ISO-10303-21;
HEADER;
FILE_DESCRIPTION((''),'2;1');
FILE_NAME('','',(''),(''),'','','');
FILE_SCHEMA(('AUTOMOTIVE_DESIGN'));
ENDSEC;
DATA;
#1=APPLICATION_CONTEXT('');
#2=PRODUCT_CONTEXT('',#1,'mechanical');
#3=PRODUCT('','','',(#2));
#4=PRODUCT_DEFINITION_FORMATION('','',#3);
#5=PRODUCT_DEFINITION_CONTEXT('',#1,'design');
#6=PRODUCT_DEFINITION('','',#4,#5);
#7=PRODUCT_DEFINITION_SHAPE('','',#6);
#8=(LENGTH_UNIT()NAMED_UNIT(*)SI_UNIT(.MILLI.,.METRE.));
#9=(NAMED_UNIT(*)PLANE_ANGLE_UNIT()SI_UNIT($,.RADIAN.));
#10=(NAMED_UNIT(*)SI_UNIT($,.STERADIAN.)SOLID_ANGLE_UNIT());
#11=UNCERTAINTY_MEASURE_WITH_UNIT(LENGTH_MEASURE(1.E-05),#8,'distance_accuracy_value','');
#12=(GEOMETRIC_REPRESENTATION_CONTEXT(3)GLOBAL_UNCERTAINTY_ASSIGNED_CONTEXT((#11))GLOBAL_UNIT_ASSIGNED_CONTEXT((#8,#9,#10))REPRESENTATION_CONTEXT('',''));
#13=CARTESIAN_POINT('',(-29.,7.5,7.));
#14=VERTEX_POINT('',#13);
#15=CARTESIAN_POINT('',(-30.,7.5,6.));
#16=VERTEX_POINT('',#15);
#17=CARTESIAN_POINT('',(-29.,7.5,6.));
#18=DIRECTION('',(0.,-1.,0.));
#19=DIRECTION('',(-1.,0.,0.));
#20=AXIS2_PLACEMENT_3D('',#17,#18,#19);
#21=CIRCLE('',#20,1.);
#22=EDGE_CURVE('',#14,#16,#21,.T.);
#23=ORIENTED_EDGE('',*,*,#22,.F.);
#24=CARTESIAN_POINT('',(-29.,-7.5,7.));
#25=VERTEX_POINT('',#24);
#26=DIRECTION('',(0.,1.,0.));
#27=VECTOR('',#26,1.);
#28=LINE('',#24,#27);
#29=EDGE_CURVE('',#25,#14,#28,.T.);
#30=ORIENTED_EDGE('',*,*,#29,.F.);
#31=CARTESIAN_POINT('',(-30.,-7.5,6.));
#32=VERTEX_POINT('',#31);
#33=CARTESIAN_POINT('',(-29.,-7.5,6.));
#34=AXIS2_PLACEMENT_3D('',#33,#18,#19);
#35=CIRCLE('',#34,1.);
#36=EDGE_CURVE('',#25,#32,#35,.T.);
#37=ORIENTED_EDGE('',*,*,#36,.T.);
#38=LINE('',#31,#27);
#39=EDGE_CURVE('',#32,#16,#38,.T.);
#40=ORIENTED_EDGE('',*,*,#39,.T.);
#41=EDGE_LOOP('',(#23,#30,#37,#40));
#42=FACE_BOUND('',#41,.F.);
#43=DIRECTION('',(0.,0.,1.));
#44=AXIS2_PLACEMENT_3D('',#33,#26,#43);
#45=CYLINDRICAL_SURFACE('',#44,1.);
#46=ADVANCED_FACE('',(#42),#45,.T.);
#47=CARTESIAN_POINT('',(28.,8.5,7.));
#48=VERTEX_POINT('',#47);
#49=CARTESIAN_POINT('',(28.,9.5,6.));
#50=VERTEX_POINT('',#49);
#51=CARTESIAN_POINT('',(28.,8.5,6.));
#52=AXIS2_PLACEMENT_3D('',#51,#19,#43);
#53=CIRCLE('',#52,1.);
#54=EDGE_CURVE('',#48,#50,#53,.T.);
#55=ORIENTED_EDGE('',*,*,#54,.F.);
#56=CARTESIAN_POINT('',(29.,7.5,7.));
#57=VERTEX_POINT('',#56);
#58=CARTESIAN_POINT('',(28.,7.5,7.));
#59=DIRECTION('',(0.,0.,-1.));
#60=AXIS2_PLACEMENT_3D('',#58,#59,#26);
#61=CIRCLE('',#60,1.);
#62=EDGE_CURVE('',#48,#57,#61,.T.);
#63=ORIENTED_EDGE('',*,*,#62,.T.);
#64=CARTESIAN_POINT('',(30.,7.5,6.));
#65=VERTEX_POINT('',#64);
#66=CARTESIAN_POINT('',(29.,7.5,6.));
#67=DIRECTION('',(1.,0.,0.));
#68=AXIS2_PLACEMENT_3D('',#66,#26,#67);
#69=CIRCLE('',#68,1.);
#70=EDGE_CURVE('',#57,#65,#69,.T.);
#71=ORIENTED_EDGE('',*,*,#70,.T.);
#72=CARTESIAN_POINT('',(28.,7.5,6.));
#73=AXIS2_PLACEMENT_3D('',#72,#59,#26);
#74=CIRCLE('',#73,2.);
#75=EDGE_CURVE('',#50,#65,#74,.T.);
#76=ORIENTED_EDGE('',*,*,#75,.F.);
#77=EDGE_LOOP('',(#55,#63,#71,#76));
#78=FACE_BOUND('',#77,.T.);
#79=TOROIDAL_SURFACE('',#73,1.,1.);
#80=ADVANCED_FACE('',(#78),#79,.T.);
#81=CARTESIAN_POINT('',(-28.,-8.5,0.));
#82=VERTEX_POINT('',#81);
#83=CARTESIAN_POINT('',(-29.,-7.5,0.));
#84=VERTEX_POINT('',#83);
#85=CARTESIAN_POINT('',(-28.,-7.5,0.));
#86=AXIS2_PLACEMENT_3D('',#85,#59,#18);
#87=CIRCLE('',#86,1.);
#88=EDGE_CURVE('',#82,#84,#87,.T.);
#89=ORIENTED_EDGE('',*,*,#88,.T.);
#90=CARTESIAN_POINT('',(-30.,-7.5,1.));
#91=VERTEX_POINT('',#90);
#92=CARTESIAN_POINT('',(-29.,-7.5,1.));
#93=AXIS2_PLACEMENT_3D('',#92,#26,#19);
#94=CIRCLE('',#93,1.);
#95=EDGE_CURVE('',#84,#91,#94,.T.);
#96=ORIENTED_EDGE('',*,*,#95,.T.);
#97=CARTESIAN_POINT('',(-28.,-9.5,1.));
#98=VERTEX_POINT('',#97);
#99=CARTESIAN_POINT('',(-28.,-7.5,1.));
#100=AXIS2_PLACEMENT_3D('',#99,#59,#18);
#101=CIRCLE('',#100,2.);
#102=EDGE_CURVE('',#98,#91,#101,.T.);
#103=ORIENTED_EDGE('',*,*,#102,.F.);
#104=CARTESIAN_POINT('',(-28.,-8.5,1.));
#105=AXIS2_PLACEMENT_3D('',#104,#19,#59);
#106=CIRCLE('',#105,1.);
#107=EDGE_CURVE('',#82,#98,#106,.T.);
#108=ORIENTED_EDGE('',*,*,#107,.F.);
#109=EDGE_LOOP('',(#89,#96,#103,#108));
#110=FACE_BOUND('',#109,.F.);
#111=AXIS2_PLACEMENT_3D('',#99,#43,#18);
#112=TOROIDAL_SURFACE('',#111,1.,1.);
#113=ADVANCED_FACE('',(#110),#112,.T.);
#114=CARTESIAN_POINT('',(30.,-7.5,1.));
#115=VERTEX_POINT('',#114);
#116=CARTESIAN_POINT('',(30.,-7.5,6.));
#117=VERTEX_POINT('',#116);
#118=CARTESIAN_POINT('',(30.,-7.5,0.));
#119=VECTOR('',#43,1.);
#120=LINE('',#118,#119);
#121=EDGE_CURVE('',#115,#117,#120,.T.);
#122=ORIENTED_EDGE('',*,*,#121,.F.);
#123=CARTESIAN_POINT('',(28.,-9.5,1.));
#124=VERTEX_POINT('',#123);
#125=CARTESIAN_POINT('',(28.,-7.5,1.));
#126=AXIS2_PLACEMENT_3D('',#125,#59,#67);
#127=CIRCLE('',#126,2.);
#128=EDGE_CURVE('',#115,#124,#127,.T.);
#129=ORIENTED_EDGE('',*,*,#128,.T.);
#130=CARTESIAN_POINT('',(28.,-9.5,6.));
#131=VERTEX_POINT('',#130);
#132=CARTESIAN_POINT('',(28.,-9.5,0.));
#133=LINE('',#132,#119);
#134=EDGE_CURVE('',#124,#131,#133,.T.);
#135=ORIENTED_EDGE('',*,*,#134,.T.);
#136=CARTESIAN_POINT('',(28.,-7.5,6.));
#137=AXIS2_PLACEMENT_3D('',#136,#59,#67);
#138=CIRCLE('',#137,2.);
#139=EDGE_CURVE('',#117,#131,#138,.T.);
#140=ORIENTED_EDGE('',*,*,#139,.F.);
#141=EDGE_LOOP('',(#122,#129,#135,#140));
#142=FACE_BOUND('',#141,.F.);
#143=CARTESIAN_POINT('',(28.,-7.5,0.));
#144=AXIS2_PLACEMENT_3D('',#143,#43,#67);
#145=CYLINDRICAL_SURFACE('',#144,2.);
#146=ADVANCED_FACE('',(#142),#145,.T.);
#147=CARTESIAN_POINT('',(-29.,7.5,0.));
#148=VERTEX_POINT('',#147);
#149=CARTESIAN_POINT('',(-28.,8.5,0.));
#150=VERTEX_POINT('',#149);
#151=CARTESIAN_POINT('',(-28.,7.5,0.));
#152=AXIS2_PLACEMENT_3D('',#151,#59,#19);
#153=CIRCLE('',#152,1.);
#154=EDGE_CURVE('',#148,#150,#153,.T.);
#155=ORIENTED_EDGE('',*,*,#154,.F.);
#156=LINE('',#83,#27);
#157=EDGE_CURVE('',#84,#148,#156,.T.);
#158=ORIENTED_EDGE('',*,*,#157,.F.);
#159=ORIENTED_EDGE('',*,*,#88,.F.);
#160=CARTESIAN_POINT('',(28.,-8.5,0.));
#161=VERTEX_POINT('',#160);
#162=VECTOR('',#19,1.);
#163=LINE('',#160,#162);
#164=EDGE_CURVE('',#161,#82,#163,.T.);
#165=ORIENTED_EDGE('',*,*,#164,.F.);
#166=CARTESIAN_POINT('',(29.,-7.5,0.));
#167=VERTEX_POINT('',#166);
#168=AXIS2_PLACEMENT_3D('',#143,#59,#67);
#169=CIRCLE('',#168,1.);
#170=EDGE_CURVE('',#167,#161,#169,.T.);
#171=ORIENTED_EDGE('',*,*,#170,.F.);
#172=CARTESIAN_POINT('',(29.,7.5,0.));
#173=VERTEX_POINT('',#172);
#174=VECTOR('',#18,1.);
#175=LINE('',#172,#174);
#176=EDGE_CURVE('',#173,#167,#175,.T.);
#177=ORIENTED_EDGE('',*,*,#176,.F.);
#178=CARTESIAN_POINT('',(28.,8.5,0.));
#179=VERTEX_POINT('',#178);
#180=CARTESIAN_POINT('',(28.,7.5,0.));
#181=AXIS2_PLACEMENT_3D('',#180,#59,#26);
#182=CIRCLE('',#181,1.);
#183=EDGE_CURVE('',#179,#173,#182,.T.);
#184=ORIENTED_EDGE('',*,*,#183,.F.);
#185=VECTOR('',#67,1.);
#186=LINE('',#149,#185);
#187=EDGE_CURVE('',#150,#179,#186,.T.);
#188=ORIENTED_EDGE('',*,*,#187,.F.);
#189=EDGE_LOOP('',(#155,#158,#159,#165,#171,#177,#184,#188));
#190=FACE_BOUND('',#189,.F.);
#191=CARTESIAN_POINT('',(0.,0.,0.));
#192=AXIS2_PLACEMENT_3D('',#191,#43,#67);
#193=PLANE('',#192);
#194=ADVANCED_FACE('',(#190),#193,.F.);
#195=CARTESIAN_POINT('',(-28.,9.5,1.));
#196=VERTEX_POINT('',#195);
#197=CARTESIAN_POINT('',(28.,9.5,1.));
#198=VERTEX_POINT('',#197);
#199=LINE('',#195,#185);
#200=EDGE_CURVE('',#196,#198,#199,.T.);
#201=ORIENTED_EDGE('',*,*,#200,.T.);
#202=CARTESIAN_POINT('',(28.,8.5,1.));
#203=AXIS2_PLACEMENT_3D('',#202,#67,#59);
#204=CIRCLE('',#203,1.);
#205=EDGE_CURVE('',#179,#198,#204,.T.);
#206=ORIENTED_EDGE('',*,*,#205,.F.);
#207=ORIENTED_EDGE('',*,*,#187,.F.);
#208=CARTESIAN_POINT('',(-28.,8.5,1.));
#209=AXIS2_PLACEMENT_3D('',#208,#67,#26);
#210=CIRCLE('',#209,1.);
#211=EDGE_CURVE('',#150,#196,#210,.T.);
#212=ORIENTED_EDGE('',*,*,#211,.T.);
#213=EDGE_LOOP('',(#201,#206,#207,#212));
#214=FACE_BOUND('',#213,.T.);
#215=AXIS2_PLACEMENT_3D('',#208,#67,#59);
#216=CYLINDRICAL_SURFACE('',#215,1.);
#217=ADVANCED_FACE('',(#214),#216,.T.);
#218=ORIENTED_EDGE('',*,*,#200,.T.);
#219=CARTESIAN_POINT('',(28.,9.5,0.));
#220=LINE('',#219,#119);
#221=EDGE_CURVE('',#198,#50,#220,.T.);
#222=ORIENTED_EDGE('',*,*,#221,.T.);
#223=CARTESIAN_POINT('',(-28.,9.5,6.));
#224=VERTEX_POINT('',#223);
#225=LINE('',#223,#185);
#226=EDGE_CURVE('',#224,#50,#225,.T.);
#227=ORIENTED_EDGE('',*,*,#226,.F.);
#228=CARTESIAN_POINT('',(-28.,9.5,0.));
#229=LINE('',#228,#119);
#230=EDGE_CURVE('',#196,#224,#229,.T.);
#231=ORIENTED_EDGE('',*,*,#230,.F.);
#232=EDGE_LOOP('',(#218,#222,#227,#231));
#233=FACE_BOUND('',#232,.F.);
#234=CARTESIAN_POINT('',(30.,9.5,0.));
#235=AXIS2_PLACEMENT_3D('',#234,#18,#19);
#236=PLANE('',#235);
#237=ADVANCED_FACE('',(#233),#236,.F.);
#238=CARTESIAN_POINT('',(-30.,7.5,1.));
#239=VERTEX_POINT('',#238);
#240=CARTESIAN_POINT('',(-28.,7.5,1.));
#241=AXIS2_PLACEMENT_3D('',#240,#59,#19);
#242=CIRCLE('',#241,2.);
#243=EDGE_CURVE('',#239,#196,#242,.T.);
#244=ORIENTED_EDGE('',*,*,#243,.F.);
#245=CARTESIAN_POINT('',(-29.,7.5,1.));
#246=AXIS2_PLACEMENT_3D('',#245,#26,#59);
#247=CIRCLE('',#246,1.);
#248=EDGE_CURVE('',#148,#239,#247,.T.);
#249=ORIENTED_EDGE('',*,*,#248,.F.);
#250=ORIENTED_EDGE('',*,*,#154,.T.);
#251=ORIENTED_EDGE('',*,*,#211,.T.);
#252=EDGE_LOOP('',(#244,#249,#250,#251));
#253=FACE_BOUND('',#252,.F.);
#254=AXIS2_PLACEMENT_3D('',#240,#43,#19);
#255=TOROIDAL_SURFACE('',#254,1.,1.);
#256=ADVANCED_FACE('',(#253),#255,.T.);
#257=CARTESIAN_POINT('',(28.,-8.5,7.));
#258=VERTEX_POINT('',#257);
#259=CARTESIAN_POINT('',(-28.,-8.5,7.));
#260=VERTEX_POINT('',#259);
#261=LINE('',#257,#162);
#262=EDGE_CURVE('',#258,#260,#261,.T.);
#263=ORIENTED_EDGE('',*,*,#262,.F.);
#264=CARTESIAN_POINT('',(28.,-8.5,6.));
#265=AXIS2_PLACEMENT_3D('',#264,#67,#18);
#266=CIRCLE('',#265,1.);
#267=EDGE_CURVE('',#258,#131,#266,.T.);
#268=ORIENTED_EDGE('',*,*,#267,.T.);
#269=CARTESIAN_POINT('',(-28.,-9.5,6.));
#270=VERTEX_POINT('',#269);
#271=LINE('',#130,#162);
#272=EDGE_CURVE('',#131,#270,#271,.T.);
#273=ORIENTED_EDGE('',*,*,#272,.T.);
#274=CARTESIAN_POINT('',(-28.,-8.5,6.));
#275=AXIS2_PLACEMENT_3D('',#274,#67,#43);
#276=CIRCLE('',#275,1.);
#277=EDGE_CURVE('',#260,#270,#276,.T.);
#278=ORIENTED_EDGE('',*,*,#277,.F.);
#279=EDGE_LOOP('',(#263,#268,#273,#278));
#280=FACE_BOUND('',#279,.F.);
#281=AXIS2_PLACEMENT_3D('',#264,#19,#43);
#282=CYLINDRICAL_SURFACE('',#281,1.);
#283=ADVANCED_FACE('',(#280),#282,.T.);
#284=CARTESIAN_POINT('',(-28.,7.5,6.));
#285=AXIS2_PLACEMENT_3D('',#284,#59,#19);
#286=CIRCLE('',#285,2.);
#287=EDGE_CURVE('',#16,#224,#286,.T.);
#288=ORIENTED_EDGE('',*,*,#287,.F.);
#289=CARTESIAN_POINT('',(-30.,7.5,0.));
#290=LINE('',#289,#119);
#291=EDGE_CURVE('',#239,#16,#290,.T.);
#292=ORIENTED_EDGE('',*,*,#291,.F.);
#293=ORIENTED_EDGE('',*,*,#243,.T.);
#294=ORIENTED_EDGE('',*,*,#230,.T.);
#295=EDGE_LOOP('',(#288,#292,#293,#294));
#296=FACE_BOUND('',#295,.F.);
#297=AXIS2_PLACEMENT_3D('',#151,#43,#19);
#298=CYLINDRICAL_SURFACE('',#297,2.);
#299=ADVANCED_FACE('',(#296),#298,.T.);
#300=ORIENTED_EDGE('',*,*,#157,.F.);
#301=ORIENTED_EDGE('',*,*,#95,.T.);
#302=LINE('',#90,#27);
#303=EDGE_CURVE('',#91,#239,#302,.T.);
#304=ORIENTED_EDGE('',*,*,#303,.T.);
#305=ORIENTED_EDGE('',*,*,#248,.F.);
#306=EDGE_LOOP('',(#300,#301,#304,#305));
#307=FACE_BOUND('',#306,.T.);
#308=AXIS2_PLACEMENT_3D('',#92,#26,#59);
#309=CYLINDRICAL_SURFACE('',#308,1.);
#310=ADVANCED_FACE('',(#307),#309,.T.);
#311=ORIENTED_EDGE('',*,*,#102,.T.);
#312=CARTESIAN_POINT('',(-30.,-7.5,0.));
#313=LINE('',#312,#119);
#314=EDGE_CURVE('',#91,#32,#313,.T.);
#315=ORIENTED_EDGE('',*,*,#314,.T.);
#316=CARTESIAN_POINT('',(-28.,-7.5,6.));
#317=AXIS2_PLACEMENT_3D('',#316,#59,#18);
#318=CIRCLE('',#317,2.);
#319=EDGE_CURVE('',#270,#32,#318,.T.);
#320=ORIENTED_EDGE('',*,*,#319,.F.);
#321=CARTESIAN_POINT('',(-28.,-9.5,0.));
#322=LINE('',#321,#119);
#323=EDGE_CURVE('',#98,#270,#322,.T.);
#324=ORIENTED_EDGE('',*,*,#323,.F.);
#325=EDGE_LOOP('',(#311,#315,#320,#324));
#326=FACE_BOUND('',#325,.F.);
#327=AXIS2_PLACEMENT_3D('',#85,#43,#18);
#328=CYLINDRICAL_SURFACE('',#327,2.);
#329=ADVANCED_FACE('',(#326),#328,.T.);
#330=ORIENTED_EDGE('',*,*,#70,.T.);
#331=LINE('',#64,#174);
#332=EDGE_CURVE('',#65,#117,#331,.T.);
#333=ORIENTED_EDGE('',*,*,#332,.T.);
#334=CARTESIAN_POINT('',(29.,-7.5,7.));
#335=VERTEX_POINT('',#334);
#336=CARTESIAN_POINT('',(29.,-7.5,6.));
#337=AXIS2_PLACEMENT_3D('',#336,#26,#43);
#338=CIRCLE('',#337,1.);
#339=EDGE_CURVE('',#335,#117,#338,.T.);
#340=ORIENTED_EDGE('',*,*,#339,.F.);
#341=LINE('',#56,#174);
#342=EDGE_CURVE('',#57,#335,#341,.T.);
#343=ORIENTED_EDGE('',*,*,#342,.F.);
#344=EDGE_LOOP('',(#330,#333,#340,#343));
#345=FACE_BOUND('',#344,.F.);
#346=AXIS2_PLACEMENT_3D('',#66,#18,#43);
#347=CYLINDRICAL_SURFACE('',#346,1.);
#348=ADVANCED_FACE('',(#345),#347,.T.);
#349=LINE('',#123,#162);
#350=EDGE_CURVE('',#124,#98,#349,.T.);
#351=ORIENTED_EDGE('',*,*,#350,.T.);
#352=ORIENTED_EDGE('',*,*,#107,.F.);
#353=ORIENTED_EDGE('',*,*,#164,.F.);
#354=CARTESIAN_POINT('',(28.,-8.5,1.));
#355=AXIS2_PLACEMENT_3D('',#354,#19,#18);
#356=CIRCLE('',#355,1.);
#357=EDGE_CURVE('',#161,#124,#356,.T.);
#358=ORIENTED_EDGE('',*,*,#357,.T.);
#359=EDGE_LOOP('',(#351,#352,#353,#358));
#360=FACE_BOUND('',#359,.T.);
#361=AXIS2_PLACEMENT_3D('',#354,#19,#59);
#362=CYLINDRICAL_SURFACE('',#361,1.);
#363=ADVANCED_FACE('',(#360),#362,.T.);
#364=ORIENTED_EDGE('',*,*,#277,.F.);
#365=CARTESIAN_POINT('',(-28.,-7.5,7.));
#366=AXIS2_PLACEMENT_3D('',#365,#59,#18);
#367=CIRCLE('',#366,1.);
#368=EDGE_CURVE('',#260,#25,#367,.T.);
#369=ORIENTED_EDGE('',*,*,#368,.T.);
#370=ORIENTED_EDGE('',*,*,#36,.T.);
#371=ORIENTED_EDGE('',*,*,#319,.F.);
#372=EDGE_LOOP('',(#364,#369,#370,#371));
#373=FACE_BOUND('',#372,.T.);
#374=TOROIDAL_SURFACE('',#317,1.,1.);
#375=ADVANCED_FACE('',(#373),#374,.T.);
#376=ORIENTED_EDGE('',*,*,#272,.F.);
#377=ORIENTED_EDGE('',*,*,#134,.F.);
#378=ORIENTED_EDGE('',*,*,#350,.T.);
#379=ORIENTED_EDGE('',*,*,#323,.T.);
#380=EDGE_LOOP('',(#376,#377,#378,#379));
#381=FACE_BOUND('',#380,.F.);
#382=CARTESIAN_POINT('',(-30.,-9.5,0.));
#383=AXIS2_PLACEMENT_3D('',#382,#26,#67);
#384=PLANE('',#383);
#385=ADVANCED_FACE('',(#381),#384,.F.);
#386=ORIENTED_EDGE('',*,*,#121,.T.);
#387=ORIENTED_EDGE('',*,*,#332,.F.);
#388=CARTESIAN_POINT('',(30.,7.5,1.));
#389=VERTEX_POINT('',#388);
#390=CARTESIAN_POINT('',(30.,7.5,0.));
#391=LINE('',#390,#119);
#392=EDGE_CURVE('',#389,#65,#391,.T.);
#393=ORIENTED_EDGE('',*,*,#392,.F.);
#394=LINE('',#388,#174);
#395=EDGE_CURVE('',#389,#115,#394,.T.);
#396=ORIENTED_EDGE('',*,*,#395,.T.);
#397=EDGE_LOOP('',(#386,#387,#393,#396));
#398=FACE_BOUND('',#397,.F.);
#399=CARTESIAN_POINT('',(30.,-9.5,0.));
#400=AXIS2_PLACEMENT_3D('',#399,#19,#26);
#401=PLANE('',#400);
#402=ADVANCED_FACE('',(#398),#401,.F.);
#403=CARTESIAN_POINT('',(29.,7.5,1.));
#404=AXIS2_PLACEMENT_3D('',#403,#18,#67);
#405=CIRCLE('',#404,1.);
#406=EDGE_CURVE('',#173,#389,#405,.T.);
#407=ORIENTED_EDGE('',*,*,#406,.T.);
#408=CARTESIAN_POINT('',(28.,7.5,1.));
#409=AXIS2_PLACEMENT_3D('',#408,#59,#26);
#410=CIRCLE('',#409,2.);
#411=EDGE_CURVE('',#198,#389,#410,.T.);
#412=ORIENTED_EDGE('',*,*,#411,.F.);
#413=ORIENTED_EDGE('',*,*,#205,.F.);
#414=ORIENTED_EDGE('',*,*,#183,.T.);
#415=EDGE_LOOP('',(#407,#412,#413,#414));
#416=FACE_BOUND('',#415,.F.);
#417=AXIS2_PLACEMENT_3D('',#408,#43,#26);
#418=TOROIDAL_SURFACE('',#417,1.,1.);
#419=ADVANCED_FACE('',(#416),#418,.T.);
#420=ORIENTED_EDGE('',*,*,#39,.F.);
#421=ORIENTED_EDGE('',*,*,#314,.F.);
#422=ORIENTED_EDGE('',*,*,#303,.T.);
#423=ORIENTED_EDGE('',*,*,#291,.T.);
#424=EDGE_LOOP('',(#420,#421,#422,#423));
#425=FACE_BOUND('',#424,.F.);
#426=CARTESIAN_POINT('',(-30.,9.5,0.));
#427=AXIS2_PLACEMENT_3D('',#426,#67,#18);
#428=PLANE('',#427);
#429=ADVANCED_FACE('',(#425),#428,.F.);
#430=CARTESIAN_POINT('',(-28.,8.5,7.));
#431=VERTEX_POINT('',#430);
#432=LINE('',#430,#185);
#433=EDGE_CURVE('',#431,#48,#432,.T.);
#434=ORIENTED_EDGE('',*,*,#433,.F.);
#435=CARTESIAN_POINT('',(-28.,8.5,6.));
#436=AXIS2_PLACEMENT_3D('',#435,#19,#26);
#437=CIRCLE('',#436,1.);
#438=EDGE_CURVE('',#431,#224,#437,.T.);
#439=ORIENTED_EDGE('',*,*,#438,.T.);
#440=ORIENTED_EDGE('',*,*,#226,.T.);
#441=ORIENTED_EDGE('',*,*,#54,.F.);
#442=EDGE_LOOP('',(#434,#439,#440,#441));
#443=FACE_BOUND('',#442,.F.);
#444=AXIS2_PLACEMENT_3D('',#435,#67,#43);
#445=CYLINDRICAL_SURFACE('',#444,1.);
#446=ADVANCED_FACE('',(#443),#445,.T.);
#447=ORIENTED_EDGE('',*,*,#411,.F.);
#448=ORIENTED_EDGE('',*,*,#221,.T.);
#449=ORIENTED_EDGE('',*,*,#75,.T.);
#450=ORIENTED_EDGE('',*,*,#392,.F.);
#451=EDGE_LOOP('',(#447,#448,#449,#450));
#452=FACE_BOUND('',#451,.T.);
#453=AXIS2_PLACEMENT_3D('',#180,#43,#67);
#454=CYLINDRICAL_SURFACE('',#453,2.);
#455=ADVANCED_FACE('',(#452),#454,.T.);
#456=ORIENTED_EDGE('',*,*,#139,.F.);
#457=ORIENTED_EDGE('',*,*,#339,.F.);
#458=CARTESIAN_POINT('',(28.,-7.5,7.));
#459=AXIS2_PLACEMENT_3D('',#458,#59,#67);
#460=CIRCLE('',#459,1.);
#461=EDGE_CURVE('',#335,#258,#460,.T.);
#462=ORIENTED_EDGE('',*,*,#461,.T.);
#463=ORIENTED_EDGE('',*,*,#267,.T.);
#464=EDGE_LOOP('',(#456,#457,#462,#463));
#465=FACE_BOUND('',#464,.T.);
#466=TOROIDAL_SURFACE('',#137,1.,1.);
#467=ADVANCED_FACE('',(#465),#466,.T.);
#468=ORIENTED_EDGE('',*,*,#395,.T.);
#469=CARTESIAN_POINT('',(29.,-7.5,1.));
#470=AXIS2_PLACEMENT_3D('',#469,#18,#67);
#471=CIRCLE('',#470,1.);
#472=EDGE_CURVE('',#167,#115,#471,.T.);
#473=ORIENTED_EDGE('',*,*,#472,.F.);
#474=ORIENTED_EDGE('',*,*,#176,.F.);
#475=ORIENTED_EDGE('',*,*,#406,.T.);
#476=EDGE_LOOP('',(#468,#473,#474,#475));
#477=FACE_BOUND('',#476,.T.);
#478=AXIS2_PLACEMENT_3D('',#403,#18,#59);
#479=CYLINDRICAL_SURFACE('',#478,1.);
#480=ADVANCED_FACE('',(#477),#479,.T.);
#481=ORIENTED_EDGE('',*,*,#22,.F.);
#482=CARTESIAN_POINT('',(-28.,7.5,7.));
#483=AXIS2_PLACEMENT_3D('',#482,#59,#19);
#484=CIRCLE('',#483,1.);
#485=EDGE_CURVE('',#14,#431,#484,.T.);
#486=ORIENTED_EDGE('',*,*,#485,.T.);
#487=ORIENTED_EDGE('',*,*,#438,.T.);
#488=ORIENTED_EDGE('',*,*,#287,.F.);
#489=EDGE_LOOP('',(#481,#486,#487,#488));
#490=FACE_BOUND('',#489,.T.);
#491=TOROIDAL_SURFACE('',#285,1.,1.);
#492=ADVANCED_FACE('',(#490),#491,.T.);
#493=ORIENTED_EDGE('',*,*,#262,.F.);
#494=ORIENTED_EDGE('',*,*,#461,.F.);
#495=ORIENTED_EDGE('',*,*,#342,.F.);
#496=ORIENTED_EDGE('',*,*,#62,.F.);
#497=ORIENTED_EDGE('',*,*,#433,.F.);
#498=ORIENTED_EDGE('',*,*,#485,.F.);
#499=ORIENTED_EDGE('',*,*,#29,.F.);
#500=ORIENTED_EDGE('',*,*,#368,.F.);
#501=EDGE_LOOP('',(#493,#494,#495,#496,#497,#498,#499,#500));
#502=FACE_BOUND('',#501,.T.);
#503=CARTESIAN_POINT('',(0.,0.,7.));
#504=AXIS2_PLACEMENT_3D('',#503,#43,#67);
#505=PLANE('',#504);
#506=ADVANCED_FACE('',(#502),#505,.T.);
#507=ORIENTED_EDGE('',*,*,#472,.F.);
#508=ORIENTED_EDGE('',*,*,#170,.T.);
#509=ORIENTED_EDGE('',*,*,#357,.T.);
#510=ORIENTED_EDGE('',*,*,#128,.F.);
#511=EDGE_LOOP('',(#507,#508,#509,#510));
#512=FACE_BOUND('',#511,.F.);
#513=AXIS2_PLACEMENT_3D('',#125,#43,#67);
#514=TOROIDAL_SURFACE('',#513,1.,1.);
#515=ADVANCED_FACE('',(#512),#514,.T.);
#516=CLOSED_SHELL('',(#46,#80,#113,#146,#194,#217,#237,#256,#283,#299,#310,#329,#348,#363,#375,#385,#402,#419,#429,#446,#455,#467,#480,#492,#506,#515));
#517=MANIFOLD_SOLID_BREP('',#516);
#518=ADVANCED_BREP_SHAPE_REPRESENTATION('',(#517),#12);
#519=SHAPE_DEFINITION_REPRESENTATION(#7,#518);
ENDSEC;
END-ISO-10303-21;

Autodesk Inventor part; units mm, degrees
ref_plane "YZ Plane" through (0, 0, 0) normal (1, 0, 0) x (0, 1, 0)
ref_plane "XZ Plane" through (0, 0, 0) normal (0, 1, 0) x (-1, 0, 0)
ref_plane "XY Plane" through (0, 0, 0) normal (0, 0, 1) x (1, 0, 0)
sketch "Skizze1" plane through (0, 0, 0) normal (0, 0, 1) x (1, 0, 0)
  line L0 (30, 9.5) -> (-30, 9.5)
  line L1 (-30, 9.5) -> (-30, -9.5)
  line L2 (-30, -9.5) -> (30, -9.5)
  line L3 (30, -9.5) -> (30, 9.5)
  line L4 (30, 9.5) -> (-30, -9.5) construction
  line L5 (-30, 9.5) -> (30, -9.5) construction
  point P0 (0, 0)
  dimension "d0" = 60
  dimension "d1" = 19
extrude "Extrusion1" add sketch "Skizze1" along normal blind 7
fillet "Rundung1" radius 2 4 edges at (-30, -9.5, 3.5) (30, -9.5, 3.5) (30, 9.5, 3.5) (-30, 9.5, 3.5)
fillet "Rundung2" radius 1 16 edges at (-29.4142, 8.9142, 7) (-30, 0, 7) (-29.4142, -8.9142, 7) (0, -9.5, 7) (29.4142, -8.9142, 7) (30, 0, 7) (29.4142, 8.9142, 7) (0, 9.5, 7) (29.4142, -8.9142, 0) (30, 0, 0) (29.4142, 8.9142, 0) (0, 9.5, 0) (-29.4142, 8.9142, 0) (-30, 0, 0) (-29.4142, -8.9142, 0) (0, -9.5, 0)
properties part number "P_Akku_1S"
